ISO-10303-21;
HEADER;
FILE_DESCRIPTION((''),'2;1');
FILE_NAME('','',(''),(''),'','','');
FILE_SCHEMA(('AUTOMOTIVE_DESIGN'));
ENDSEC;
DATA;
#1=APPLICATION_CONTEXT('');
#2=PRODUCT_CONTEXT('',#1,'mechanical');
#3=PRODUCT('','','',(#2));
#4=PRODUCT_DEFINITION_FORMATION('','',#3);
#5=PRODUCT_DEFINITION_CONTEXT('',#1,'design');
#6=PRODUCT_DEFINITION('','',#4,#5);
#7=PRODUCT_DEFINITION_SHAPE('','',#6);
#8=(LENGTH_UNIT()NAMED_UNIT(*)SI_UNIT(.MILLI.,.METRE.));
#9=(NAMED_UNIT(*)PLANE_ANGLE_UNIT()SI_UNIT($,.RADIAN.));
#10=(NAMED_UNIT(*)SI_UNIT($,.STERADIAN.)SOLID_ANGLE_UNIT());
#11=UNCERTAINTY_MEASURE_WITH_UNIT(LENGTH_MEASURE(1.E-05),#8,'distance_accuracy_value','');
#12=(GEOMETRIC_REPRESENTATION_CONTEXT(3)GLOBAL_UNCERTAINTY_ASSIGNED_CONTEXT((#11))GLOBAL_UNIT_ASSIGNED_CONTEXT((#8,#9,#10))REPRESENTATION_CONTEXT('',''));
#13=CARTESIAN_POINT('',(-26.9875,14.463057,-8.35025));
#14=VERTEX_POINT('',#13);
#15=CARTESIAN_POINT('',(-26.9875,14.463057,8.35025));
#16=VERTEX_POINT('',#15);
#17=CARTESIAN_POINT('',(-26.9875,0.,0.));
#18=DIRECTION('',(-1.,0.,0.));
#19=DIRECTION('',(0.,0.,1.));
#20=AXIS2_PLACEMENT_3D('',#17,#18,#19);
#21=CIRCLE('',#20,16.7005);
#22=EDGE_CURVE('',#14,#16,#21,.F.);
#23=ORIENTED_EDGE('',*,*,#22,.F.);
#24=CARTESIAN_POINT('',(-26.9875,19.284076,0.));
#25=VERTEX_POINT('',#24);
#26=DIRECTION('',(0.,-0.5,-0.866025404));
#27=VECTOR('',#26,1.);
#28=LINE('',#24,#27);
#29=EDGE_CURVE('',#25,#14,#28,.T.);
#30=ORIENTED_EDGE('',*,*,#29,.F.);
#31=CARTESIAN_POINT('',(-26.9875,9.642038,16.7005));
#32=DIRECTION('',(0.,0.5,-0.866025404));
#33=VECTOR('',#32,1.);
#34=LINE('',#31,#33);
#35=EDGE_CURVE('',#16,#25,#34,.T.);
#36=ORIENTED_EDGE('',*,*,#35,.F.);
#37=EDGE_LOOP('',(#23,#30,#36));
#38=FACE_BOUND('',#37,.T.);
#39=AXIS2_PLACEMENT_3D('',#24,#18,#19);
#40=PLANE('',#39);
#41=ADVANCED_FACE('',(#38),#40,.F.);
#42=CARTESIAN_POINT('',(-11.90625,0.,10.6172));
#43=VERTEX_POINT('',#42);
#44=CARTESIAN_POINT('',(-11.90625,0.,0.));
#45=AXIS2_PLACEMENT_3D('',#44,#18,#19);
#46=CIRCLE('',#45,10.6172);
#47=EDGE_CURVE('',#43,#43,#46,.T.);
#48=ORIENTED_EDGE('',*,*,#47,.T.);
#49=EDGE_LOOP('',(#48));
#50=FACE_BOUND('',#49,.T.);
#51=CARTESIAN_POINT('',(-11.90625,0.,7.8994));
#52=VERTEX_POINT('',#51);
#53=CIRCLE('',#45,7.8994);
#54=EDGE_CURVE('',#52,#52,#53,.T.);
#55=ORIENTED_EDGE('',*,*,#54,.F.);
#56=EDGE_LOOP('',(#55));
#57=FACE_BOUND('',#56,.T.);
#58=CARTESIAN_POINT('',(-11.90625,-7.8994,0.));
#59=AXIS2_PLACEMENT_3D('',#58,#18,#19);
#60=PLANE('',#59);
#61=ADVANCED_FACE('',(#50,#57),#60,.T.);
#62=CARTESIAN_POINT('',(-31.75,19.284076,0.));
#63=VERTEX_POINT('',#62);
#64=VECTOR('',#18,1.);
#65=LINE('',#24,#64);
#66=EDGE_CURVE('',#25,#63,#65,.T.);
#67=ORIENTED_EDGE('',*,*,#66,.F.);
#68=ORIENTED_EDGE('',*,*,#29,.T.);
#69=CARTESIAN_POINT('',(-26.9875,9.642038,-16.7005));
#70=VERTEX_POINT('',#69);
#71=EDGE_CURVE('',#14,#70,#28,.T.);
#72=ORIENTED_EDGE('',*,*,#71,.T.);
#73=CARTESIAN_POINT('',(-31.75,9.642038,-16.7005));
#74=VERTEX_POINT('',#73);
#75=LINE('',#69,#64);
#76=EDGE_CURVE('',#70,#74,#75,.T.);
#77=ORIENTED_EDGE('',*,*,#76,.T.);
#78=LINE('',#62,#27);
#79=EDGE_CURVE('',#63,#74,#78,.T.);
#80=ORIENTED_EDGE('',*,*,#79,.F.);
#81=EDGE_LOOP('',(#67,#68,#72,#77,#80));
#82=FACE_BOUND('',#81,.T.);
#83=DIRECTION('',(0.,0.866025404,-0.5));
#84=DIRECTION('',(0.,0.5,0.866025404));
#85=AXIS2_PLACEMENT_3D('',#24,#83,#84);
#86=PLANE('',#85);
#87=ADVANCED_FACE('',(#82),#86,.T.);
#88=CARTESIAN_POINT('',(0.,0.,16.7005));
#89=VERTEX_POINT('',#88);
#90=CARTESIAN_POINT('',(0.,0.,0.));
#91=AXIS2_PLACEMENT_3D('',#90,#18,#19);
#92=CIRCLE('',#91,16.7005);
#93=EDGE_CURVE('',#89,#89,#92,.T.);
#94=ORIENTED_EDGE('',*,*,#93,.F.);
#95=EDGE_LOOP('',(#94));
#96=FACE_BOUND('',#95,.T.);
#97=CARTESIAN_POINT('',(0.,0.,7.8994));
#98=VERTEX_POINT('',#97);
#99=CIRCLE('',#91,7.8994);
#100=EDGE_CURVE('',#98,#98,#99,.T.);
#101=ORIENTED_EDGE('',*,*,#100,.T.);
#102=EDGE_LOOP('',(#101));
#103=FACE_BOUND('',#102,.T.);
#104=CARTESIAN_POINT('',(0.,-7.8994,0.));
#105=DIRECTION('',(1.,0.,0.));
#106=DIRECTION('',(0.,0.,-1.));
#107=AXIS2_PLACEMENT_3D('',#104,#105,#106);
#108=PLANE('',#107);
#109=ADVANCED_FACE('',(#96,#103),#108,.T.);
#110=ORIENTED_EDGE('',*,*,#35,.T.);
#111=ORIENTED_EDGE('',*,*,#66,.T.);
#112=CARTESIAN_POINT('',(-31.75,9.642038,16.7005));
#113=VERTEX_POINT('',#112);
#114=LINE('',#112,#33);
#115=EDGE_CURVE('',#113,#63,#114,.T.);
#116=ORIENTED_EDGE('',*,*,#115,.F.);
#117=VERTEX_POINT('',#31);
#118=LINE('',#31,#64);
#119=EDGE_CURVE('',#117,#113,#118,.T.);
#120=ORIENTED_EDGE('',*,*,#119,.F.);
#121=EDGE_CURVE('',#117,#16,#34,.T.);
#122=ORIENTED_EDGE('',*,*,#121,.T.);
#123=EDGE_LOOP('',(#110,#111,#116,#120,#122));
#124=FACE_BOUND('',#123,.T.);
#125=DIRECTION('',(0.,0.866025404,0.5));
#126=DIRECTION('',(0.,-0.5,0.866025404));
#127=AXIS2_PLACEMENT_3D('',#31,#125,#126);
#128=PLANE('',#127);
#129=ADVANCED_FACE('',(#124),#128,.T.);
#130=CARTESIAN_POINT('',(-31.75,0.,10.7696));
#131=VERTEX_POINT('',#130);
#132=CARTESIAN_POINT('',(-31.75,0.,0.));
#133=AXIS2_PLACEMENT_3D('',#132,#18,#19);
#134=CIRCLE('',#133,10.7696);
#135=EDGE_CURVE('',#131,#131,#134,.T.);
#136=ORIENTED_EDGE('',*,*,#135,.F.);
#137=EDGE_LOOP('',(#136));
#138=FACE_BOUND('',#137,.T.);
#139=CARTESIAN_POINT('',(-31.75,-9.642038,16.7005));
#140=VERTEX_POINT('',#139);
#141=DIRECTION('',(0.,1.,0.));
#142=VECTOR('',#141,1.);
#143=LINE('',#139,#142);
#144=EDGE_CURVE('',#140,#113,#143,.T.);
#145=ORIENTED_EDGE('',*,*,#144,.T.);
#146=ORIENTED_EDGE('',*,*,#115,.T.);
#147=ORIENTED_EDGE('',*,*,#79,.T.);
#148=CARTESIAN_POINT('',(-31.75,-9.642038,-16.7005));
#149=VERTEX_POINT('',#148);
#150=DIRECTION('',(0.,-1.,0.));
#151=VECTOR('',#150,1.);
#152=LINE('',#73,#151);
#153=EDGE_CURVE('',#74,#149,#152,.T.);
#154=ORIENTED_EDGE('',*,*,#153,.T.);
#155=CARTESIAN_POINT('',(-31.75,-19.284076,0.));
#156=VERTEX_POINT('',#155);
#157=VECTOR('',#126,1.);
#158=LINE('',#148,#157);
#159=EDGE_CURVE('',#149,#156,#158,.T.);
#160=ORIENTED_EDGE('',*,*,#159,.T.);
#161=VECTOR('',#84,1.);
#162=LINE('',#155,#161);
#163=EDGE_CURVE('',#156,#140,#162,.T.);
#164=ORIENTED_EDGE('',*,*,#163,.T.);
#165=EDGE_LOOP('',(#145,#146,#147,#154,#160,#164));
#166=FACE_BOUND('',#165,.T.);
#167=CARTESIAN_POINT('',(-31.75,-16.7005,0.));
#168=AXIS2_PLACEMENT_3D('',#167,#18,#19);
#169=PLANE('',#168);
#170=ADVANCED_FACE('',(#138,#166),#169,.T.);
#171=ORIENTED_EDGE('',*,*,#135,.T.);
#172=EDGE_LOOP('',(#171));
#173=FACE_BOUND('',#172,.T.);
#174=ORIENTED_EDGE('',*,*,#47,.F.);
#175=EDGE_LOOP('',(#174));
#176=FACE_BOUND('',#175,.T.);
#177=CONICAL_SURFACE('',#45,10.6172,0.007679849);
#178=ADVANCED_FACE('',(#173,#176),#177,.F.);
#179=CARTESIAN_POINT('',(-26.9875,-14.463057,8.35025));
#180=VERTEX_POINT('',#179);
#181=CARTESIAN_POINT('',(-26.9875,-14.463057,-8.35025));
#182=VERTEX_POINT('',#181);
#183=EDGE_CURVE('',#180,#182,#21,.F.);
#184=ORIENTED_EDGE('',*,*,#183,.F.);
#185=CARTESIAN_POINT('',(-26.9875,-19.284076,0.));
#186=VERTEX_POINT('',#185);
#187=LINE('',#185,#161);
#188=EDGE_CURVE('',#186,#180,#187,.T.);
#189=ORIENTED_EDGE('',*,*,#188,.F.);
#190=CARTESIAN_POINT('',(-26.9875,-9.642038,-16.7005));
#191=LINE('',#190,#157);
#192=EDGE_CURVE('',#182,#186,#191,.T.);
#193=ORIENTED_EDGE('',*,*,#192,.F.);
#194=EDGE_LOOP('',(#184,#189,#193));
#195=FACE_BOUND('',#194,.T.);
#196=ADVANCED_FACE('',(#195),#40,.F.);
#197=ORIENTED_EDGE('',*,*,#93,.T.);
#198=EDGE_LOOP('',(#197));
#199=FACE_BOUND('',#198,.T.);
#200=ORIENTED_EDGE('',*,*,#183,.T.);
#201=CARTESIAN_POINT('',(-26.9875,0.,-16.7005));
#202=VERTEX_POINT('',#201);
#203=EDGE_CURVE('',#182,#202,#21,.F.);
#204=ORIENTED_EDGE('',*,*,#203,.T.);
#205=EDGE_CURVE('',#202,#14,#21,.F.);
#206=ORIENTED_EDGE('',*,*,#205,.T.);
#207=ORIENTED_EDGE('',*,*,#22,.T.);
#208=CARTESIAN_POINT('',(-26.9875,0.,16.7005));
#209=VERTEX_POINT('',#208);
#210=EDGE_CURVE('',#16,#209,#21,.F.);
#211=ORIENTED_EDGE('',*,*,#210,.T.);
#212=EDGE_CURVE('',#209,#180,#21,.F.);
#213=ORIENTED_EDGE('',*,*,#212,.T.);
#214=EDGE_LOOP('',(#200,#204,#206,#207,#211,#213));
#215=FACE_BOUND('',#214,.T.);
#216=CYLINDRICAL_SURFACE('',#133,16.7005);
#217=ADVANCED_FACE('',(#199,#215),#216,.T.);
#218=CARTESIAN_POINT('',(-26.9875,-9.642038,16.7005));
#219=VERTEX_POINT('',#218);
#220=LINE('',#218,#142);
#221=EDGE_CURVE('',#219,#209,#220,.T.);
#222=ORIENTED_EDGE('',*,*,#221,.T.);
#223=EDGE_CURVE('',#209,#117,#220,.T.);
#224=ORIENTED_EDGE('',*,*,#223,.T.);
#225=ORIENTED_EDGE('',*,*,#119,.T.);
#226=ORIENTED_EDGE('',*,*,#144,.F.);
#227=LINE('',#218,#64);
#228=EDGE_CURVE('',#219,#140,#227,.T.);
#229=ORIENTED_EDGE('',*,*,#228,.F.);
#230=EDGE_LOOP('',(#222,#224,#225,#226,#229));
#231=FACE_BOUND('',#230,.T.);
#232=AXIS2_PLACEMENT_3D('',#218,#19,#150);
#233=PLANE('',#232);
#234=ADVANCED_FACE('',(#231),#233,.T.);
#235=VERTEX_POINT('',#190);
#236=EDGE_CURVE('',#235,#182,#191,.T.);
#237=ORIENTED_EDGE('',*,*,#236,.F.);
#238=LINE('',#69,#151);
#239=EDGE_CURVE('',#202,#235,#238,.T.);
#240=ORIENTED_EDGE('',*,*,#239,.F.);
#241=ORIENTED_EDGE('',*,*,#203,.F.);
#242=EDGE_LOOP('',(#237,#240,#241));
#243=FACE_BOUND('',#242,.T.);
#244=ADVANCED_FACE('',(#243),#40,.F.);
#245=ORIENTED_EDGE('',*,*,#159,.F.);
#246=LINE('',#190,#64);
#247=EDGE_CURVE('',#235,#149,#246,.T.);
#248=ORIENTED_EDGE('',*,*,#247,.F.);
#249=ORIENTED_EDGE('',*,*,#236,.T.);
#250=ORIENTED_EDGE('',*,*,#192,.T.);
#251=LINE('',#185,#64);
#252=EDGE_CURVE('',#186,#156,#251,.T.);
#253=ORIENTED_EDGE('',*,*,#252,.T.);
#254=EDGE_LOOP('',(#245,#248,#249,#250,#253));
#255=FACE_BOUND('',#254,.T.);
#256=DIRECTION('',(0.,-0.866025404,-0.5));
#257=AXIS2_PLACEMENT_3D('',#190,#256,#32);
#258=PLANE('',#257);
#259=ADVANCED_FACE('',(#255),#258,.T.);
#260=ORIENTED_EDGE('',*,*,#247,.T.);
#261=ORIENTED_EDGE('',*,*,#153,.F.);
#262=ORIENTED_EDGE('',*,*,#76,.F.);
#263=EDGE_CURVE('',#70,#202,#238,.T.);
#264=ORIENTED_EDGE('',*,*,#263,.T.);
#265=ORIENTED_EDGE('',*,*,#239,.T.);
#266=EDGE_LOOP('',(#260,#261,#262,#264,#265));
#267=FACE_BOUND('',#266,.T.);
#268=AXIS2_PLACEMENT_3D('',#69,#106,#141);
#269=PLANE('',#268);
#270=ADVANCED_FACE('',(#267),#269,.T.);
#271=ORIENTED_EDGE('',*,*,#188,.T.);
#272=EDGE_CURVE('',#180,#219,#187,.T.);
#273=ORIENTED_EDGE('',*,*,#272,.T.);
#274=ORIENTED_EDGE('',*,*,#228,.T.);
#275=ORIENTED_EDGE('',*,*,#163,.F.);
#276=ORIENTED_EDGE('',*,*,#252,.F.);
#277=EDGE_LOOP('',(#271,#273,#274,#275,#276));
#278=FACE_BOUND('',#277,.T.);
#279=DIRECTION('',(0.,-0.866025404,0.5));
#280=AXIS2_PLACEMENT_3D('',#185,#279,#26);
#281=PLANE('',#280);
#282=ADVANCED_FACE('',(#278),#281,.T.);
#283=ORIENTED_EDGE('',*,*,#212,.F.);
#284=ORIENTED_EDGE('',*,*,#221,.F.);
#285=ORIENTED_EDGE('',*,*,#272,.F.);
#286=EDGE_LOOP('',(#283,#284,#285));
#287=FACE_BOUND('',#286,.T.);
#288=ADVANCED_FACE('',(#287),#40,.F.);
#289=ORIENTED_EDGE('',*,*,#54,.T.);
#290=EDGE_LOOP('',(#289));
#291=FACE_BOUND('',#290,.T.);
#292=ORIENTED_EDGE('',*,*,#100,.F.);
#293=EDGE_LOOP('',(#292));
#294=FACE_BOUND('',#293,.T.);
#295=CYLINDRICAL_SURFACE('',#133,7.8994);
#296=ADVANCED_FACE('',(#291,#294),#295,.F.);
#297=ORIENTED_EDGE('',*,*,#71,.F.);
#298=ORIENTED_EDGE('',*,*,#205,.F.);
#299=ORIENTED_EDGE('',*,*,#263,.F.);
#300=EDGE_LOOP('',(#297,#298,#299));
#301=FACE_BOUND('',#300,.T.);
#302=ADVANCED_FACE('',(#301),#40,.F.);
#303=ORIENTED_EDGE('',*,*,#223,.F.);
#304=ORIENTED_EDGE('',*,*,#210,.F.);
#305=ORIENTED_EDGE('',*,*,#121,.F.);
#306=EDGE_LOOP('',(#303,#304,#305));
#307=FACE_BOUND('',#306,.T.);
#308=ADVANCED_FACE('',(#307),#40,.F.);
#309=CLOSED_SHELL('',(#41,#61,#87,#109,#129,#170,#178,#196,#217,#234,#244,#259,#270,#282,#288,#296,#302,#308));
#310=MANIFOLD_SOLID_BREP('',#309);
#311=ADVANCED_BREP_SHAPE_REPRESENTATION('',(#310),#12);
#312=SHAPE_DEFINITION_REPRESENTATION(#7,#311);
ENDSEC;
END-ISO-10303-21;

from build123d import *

# Parameters (mm, degrees)
SKETCH2_R           = 10.7696
BOSS_EXTRUDE1_DEPTH = 4.7625


with BuildPart() as part:
    # Sketch1 → Revolve1 (revolve)
    with BuildSketch(Plane.XY):
        Polygon((-31.75, -16.7005), (0, -16.7005), (0, -7.8994), (-11.90625, -7.8994), (-11.90625, -10.6172), (-31.75, -10.7696), align=None)
    revolve(axis=Axis((-31.75, 0, 0), (1, 0, 0)))

    # Sketch2 → Boss-Extrude1 (add)
    with BuildSketch(Plane.ZY.offset(31.75)):
        Polygon((0, 19.284076341), (-16.7005, 9.642038171), (-16.7005, -9.642038171), (0, -19.284076341), (16.7005, -9.642038171), (16.7005, 9.642038171), align=None)
        Circle(SKETCH2_R, mode=Mode.SUBTRACT)
    extrude(amount=-BOSS_EXTRUDE1_DEPTH)


solid = part.part
